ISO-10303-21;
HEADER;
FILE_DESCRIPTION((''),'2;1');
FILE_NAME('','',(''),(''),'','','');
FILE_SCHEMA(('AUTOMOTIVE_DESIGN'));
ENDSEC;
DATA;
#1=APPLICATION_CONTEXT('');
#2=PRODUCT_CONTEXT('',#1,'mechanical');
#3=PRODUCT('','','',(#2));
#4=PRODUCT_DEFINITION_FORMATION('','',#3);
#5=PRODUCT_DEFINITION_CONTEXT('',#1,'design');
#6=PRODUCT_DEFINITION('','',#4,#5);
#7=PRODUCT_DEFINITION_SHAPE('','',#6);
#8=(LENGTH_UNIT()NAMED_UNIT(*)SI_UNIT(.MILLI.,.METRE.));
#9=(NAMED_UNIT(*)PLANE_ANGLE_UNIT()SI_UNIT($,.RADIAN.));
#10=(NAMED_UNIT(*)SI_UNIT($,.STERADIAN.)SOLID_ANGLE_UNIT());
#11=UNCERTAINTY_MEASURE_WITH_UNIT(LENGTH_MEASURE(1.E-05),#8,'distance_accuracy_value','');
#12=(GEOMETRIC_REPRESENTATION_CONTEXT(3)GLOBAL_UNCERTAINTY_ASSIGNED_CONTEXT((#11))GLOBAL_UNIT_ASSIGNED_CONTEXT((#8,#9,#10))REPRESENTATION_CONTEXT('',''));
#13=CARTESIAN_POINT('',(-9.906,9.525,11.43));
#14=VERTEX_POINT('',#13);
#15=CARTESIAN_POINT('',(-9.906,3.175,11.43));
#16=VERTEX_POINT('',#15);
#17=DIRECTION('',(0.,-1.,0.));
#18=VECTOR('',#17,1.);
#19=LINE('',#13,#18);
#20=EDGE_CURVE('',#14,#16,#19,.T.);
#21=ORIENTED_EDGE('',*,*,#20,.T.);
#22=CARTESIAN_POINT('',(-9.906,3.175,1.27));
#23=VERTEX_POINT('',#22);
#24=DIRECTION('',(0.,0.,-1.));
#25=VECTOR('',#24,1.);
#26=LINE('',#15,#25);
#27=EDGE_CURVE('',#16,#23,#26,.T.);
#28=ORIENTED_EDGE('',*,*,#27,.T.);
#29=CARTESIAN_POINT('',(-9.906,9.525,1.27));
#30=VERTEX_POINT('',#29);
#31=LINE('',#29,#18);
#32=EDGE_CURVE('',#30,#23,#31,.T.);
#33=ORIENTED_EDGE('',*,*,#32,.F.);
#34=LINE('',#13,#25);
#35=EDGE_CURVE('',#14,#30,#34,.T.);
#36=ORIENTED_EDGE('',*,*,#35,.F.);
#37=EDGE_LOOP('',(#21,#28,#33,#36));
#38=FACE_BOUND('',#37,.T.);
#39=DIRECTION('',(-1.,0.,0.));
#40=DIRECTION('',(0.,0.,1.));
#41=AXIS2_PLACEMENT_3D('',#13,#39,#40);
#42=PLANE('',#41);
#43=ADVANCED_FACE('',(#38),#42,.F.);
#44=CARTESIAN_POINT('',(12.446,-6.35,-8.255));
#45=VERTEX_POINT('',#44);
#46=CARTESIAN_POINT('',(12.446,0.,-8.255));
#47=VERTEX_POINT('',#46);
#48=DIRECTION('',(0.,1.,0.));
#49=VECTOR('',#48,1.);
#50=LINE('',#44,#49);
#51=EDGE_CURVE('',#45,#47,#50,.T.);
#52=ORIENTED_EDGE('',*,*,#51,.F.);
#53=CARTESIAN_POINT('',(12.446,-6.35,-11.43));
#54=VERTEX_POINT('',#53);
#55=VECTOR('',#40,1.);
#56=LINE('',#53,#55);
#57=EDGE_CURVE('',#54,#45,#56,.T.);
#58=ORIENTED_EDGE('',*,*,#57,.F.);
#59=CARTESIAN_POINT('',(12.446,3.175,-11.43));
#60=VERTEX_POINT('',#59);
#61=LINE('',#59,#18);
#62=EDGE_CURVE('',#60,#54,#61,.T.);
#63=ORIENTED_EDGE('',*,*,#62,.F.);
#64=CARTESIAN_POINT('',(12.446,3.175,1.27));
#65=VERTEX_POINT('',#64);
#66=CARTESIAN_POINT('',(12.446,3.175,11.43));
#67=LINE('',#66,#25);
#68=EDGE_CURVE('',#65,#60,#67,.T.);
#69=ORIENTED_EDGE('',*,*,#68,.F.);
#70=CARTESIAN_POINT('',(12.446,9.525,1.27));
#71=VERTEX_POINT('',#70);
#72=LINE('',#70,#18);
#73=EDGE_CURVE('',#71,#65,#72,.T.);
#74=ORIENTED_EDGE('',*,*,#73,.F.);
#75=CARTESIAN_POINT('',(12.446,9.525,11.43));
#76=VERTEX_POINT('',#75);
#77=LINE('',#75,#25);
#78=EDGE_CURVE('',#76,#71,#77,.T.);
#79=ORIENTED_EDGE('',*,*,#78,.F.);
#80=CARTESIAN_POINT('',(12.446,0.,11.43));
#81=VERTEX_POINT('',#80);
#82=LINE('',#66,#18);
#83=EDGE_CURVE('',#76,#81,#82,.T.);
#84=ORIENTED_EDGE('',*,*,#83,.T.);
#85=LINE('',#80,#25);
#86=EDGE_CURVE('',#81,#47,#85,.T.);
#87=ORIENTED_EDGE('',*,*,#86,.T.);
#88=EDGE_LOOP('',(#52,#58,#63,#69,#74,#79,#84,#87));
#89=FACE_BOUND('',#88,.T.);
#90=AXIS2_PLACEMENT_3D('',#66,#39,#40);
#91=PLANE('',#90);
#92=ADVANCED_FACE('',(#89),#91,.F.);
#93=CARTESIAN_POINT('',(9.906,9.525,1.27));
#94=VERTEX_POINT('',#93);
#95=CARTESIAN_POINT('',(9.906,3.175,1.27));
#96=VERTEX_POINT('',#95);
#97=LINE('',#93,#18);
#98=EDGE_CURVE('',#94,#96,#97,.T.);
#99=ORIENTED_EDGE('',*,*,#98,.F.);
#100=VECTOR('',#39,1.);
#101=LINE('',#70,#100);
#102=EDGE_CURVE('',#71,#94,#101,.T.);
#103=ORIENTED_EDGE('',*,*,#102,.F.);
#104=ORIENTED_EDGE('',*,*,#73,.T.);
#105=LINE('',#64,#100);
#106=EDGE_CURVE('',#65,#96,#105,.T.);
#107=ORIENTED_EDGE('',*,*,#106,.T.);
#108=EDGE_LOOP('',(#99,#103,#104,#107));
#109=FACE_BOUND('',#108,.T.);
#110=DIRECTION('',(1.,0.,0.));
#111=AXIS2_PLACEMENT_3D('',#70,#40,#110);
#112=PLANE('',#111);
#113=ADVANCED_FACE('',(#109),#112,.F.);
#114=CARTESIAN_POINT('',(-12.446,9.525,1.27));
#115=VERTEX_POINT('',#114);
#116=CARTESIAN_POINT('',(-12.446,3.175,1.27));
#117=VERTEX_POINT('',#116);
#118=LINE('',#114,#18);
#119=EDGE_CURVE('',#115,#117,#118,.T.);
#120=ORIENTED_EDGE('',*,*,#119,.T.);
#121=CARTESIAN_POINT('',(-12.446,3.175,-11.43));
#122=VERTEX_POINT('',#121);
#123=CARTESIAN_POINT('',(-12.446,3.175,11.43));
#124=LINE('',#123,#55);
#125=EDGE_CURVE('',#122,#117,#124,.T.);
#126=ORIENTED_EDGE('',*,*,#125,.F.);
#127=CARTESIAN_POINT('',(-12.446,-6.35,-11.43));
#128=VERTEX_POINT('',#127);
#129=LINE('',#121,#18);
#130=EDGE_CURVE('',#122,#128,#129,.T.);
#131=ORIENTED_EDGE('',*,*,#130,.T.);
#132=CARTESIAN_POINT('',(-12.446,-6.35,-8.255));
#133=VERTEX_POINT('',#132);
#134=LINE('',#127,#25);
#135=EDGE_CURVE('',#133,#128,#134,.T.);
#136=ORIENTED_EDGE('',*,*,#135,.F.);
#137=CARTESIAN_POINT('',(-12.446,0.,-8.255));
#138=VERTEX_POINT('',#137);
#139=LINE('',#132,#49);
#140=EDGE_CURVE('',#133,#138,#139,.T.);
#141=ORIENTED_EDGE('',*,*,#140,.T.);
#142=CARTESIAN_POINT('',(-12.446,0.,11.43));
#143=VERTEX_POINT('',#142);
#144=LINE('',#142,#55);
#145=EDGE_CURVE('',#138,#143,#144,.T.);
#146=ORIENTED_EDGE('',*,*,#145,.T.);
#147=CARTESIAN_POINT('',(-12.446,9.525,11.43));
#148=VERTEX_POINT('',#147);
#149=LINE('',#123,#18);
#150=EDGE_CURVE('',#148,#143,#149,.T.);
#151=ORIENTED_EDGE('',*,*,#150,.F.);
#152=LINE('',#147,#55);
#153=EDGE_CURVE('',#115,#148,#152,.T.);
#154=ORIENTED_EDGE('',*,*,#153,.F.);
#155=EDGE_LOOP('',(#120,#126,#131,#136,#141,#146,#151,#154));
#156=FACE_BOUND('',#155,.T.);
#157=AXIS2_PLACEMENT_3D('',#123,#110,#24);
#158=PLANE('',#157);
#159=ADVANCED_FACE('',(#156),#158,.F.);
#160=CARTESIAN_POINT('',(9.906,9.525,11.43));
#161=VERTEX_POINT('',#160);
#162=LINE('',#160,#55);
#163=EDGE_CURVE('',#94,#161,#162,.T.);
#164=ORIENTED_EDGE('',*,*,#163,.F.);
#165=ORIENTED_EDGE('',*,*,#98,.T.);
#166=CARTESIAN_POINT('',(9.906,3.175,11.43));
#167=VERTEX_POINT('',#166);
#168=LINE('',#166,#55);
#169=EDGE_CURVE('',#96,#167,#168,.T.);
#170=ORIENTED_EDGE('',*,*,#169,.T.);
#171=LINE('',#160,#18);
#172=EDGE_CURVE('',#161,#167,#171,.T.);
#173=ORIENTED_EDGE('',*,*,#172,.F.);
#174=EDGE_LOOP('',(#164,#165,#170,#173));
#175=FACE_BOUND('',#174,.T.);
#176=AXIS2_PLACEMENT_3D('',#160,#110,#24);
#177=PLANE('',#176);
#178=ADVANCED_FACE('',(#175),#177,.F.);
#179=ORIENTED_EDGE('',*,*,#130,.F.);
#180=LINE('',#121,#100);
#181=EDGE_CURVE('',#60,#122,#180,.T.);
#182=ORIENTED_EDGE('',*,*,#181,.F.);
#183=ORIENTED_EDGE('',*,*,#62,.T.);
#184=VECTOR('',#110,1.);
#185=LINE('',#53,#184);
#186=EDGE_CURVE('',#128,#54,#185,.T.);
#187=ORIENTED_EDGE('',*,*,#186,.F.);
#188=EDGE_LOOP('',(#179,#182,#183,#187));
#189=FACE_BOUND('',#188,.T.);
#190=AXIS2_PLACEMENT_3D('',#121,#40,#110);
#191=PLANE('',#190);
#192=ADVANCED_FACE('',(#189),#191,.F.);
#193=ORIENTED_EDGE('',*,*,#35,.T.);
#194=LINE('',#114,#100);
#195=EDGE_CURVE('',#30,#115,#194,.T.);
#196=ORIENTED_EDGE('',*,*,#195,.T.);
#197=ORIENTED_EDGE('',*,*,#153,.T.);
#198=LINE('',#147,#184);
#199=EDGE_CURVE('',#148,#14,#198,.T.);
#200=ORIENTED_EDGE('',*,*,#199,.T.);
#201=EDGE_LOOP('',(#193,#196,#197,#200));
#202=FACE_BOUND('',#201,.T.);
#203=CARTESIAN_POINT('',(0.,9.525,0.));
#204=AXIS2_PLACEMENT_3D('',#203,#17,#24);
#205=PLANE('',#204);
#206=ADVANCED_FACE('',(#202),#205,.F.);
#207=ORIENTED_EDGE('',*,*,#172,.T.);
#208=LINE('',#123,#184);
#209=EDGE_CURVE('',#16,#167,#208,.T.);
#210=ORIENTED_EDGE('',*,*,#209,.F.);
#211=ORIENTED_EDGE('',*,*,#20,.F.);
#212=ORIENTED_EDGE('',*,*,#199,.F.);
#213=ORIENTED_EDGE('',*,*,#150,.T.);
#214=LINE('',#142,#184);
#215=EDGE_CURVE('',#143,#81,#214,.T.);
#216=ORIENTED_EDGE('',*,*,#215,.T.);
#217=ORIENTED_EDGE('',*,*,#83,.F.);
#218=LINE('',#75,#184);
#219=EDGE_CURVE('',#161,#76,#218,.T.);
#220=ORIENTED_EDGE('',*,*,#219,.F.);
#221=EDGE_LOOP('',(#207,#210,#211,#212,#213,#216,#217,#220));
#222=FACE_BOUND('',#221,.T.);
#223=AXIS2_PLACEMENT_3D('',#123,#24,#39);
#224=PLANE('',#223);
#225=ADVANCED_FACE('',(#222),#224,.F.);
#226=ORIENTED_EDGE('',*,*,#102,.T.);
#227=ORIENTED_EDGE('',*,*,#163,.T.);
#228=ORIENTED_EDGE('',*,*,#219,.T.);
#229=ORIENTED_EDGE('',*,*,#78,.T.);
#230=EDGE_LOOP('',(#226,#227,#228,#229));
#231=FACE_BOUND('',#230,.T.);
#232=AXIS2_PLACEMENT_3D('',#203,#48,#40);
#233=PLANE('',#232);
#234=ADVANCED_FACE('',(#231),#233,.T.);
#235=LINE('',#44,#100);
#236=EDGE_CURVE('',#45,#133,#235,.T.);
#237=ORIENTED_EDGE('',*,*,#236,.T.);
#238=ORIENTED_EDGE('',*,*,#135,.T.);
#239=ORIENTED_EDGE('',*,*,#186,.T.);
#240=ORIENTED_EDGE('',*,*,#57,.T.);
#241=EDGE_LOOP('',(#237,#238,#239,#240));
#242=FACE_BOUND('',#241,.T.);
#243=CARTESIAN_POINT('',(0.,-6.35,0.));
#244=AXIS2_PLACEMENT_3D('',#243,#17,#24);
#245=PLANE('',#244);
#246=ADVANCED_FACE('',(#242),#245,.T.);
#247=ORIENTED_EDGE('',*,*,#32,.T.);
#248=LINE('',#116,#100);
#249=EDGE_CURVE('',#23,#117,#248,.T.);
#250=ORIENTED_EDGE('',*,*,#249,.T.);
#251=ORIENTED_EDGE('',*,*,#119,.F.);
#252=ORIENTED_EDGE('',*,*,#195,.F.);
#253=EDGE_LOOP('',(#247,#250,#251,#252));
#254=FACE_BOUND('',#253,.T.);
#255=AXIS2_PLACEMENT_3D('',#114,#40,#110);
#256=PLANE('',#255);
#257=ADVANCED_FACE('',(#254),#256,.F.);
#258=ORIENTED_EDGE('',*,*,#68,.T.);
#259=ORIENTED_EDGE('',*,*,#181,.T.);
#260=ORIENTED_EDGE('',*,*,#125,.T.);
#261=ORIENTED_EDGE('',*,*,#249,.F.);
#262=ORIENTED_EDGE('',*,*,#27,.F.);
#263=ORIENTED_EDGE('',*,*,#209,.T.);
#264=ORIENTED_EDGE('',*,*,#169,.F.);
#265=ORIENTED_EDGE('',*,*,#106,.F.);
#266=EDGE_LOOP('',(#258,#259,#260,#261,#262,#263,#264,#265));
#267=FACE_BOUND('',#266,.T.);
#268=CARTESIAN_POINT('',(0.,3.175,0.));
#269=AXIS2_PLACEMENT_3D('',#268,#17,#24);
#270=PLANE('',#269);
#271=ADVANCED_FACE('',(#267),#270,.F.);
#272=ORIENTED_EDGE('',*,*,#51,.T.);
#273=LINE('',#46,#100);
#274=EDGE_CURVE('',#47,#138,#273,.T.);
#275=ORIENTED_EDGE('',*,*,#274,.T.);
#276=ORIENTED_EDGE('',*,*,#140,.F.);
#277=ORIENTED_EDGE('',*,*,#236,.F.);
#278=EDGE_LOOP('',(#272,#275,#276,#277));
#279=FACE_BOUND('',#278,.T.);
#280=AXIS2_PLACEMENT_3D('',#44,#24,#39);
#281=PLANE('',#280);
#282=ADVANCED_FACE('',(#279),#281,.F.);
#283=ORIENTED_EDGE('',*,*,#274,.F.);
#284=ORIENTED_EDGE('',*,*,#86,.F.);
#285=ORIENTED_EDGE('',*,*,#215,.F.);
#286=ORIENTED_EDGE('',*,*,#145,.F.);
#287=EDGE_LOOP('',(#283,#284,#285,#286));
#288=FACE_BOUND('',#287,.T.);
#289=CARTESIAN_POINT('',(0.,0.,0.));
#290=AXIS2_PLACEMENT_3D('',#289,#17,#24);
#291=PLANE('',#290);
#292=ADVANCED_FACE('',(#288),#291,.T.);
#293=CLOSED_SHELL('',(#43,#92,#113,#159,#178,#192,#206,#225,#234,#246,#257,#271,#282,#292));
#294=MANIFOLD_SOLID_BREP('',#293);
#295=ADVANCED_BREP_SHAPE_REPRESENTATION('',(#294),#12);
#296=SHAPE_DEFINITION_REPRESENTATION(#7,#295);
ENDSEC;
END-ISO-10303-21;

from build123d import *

# Parameters (mm, degrees)
SKETCH2_W           = 24.892
SKETCH2_H           = 22.86
BOSS_EXTRUDE1_DEPTH = 3.175
SKETCH3_W           = 2.54
SKETCH3_H           = 10.16
BOSS_EXTRUDE2_DEPTH = 6.35
SKETCH4_W           = 24.892
SKETCH4_H           = 3.175
BOSS_EXTRUDE3_DEPTH = 6.35


with BuildPart() as part:
    # Sketch2 → Boss-Extrude1 (new body)
    with BuildSketch(Plane(origin=(0, 0, 0), x_dir=(1, 0, 0), z_dir=(0, 1, 0))):
        Rectangle(SKETCH2_W, SKETCH2_H)
    extrude(amount=BOSS_EXTRUDE1_DEPTH)

    # Sketch3 → Boss-Extrude2 (add)
    with BuildSketch(Plane(origin=(0, 3.175, 0), x_dir=(1, 0, 0), z_dir=(0, 1, 0))):
        with Locations((11.176, -6.35)):
            Rectangle(SKETCH3_W, SKETCH3_H)
        with Locations((-11.176, -6.35)):
            Rectangle(SKETCH3_W, SKETCH3_H)
    extrude(amount=BOSS_EXTRUDE2_DEPTH)

    # Sketch4 → Boss-Extrude3 (add)
    with BuildSketch(Plane.XZ):
        with Locations((0, -9.8425)):
            Rectangle(SKETCH4_W, SKETCH4_H)
    extrude(amount=BOSS_EXTRUDE3_DEPTH)


solid = part.part
